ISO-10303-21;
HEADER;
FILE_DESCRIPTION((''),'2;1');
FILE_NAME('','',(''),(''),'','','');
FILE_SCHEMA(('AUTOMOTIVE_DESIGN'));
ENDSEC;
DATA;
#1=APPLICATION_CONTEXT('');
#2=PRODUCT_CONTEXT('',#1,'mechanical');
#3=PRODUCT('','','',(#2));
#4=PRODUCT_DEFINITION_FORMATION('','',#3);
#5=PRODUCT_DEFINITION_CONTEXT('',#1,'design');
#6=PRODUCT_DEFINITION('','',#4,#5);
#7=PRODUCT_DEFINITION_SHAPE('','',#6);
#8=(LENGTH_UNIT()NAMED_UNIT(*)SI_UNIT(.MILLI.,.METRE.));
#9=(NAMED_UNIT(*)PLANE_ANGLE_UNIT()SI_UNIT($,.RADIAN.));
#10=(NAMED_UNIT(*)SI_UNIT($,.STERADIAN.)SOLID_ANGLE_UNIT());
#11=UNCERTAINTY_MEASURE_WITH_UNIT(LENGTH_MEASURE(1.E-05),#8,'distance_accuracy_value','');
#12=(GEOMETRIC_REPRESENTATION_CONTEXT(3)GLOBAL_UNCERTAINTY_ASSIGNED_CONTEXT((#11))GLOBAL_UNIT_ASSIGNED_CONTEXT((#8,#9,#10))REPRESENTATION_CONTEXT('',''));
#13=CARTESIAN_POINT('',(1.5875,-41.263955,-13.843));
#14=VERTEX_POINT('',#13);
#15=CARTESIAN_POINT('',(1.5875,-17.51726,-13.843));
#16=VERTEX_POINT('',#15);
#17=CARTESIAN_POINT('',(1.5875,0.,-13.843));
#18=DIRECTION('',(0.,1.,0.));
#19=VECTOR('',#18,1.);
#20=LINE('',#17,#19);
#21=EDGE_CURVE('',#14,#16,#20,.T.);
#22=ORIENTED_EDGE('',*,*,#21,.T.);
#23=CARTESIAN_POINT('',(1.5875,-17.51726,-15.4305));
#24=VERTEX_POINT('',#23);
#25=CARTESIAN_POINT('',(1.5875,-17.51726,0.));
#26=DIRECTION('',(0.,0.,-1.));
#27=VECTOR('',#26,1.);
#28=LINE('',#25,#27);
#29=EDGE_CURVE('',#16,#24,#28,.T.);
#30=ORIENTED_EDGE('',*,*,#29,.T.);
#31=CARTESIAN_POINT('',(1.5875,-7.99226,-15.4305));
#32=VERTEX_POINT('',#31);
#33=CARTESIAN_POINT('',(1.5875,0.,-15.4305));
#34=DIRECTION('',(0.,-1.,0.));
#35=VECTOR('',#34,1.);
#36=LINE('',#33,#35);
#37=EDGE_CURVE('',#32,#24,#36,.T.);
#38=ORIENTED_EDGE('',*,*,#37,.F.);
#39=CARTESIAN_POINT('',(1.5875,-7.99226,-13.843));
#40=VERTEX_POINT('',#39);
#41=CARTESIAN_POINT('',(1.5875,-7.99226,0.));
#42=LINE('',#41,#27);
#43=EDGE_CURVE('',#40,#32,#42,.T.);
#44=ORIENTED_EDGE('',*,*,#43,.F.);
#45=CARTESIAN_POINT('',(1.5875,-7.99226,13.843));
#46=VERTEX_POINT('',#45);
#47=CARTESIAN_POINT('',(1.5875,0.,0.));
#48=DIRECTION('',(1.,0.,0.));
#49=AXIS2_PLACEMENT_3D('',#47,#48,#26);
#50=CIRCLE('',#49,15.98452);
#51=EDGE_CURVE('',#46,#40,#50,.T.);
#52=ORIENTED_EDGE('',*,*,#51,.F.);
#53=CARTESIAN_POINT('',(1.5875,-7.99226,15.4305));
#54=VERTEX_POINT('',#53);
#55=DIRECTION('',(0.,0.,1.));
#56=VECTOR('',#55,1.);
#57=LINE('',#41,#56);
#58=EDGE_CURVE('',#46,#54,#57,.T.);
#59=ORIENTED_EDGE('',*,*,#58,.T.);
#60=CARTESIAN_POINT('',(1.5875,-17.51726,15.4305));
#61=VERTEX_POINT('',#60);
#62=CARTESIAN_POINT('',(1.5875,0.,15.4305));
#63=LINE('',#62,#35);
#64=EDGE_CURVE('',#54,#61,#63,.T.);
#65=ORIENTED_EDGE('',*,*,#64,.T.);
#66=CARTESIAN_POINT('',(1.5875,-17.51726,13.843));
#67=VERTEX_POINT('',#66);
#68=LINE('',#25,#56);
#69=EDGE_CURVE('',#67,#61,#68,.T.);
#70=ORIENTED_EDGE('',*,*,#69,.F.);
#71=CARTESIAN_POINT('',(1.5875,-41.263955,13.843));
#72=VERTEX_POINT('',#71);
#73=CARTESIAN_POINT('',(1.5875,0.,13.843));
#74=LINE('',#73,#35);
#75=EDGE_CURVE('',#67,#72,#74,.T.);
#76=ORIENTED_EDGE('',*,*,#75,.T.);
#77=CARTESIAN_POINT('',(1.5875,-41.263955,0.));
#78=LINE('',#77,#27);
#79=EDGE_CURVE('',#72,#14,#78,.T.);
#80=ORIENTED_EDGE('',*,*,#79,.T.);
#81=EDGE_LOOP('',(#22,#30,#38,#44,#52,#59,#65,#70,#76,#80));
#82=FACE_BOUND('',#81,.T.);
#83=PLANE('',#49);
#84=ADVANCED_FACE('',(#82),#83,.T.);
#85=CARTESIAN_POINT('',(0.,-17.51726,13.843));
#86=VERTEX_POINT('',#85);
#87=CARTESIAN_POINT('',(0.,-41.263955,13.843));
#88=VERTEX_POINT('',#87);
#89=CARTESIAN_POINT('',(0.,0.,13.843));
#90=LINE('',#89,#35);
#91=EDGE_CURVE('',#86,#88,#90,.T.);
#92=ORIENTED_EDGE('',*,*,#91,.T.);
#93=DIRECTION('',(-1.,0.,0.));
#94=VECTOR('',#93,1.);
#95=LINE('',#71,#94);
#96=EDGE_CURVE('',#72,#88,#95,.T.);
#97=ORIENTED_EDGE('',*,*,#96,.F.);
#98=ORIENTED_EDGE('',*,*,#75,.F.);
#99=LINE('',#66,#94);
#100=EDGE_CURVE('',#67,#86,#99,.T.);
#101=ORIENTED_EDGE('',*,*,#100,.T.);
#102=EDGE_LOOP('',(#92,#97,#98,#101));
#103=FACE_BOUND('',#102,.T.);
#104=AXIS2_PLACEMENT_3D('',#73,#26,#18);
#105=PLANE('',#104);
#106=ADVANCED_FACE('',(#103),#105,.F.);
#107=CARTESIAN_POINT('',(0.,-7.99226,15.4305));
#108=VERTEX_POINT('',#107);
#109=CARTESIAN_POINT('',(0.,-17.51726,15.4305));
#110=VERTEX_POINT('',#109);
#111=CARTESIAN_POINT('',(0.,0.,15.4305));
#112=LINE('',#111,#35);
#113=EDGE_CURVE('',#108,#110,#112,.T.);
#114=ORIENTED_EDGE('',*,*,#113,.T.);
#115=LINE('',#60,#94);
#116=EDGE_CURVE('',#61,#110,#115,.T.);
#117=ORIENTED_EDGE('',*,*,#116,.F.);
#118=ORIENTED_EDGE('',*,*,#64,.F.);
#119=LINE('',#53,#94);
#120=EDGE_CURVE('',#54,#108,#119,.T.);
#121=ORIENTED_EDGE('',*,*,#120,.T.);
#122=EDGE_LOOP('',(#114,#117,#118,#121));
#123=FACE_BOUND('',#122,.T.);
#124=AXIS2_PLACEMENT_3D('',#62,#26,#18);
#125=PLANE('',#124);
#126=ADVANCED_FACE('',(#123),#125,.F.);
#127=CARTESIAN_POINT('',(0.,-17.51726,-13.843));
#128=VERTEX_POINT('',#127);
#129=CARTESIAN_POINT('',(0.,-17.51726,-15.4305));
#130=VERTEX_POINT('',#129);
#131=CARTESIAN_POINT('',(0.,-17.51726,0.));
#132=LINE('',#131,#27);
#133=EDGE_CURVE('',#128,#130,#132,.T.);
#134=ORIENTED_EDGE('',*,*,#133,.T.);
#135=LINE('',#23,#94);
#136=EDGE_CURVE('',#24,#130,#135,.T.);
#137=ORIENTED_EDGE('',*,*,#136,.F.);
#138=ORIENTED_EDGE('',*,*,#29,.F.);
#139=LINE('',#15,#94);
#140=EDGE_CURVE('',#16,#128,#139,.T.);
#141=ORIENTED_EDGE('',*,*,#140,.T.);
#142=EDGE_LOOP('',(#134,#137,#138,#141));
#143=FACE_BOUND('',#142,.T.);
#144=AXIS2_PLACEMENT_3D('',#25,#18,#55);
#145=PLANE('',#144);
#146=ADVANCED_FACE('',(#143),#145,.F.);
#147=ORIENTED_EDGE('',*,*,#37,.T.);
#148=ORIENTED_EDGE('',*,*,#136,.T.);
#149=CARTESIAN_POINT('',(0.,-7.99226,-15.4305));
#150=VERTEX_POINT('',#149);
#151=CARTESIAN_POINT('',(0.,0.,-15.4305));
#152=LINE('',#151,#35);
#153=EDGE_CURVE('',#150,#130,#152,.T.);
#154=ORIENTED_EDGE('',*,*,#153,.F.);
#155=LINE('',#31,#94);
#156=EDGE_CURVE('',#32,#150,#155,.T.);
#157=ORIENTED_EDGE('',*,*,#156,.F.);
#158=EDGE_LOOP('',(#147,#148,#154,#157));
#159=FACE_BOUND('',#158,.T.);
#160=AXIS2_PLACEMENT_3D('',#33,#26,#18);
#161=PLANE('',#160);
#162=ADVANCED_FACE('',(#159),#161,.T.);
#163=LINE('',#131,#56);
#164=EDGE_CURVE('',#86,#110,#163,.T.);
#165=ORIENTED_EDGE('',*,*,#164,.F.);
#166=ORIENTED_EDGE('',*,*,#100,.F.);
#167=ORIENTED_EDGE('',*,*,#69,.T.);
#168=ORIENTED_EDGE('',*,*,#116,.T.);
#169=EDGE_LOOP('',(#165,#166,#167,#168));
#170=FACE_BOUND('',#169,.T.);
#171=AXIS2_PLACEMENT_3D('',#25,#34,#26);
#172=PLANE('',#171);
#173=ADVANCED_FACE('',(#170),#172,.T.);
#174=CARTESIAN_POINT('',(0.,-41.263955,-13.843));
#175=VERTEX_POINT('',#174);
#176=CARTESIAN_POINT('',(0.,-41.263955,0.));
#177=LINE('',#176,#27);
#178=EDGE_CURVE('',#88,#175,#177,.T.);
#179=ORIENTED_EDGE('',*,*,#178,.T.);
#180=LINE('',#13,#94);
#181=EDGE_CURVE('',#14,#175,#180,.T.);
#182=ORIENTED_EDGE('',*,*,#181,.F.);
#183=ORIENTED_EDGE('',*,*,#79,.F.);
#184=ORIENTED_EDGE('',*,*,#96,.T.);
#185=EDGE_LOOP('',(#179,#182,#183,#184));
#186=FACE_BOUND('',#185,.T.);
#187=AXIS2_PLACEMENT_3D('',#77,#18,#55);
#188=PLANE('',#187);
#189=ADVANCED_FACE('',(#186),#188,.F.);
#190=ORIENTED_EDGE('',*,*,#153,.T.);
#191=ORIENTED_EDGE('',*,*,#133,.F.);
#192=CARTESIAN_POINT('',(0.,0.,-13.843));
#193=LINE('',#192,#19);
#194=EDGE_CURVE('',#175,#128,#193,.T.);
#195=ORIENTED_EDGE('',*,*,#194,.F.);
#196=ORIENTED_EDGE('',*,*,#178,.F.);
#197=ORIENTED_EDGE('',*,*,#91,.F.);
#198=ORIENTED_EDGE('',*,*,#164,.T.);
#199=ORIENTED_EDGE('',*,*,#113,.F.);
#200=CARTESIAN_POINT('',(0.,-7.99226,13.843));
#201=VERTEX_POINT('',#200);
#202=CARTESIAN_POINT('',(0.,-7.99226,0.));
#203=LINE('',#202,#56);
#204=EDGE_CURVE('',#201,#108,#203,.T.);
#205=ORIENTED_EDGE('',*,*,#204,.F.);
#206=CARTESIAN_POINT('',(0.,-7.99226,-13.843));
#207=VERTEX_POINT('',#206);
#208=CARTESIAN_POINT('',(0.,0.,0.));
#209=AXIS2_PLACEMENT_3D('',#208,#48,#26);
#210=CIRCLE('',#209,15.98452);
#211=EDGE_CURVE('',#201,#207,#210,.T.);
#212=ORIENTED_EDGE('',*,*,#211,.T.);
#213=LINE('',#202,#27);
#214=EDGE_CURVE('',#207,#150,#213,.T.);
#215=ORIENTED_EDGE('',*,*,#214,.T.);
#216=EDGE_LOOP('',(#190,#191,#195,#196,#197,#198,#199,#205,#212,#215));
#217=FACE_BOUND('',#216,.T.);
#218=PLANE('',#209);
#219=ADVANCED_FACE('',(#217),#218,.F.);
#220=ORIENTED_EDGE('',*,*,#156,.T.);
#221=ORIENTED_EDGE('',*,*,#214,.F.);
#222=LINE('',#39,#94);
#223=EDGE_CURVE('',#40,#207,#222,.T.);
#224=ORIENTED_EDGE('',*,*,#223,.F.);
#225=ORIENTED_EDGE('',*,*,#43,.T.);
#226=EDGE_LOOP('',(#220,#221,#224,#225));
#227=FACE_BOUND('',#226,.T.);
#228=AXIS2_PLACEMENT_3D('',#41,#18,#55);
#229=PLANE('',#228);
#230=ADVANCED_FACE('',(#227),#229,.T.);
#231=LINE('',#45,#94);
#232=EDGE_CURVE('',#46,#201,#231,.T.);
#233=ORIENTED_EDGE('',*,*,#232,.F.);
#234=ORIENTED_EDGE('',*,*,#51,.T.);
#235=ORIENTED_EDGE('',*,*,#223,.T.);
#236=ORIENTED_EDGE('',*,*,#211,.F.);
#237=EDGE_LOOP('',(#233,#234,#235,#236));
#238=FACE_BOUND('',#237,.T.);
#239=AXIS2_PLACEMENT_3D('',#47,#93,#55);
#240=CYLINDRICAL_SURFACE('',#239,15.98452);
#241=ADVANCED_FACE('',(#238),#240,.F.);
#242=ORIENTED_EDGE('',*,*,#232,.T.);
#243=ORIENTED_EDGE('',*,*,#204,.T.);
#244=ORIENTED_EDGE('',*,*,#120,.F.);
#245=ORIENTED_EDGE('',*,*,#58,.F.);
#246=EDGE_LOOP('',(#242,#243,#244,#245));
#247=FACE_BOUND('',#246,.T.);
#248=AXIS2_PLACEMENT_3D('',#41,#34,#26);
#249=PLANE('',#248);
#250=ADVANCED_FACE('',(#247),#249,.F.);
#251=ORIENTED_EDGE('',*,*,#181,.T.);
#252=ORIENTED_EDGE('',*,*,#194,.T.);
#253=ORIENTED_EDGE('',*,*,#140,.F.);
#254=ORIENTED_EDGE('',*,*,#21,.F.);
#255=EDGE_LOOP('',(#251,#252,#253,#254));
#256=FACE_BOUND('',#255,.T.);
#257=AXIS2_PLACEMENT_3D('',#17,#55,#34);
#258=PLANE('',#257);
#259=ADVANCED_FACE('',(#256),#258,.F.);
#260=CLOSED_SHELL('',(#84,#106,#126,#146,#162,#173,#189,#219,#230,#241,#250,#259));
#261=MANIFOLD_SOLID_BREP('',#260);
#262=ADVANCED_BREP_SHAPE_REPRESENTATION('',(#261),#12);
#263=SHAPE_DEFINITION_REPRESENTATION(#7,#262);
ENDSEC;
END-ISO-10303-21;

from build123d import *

# Parameters (mm, degrees)
SKETCH1_W           = 1.5875
SKETCH1_H           = 9.525
BOSS_EXTRUDE1_DEPTH = 1.5875


with BuildPart() as part:
    # Sketch1 → Boss-Extrude1 (new body)
    with BuildSketch(Plane(origin=(0, 0, 0), x_dir=(0, 0, -1), z_dir=(1, 0, 0))):
        with BuildLine():
            ThreePointArc((13.843, -7.992259776), (0, -15.984519553), (-13.843, -7.992259776))
            Line((-13.843, -7.992259776), (-13.843, -17.517259776))
            Line((-13.843, -17.517259776), (-13.843, -41.26395491))
            Line((-13.843, -41.26395491), (13.843, -41.26395491))
            Line((13.843, -41.26395491), (13.843, -17.517259776))
            Line((13.843, -17.517259776), (15.4305, -17.517259776))
            Line((15.4305, -17.517259776), (15.4305, -7.992259776))
            Line((15.4305, -7.992259776), (13.843, -7.992259776))
        make_face()
        with Locations((-14.63675, -12.754759776)):
            Rectangle(SKETCH1_W, SKETCH1_H)
    extrude(amount=BOSS_EXTRUDE1_DEPTH)


solid = part.part
